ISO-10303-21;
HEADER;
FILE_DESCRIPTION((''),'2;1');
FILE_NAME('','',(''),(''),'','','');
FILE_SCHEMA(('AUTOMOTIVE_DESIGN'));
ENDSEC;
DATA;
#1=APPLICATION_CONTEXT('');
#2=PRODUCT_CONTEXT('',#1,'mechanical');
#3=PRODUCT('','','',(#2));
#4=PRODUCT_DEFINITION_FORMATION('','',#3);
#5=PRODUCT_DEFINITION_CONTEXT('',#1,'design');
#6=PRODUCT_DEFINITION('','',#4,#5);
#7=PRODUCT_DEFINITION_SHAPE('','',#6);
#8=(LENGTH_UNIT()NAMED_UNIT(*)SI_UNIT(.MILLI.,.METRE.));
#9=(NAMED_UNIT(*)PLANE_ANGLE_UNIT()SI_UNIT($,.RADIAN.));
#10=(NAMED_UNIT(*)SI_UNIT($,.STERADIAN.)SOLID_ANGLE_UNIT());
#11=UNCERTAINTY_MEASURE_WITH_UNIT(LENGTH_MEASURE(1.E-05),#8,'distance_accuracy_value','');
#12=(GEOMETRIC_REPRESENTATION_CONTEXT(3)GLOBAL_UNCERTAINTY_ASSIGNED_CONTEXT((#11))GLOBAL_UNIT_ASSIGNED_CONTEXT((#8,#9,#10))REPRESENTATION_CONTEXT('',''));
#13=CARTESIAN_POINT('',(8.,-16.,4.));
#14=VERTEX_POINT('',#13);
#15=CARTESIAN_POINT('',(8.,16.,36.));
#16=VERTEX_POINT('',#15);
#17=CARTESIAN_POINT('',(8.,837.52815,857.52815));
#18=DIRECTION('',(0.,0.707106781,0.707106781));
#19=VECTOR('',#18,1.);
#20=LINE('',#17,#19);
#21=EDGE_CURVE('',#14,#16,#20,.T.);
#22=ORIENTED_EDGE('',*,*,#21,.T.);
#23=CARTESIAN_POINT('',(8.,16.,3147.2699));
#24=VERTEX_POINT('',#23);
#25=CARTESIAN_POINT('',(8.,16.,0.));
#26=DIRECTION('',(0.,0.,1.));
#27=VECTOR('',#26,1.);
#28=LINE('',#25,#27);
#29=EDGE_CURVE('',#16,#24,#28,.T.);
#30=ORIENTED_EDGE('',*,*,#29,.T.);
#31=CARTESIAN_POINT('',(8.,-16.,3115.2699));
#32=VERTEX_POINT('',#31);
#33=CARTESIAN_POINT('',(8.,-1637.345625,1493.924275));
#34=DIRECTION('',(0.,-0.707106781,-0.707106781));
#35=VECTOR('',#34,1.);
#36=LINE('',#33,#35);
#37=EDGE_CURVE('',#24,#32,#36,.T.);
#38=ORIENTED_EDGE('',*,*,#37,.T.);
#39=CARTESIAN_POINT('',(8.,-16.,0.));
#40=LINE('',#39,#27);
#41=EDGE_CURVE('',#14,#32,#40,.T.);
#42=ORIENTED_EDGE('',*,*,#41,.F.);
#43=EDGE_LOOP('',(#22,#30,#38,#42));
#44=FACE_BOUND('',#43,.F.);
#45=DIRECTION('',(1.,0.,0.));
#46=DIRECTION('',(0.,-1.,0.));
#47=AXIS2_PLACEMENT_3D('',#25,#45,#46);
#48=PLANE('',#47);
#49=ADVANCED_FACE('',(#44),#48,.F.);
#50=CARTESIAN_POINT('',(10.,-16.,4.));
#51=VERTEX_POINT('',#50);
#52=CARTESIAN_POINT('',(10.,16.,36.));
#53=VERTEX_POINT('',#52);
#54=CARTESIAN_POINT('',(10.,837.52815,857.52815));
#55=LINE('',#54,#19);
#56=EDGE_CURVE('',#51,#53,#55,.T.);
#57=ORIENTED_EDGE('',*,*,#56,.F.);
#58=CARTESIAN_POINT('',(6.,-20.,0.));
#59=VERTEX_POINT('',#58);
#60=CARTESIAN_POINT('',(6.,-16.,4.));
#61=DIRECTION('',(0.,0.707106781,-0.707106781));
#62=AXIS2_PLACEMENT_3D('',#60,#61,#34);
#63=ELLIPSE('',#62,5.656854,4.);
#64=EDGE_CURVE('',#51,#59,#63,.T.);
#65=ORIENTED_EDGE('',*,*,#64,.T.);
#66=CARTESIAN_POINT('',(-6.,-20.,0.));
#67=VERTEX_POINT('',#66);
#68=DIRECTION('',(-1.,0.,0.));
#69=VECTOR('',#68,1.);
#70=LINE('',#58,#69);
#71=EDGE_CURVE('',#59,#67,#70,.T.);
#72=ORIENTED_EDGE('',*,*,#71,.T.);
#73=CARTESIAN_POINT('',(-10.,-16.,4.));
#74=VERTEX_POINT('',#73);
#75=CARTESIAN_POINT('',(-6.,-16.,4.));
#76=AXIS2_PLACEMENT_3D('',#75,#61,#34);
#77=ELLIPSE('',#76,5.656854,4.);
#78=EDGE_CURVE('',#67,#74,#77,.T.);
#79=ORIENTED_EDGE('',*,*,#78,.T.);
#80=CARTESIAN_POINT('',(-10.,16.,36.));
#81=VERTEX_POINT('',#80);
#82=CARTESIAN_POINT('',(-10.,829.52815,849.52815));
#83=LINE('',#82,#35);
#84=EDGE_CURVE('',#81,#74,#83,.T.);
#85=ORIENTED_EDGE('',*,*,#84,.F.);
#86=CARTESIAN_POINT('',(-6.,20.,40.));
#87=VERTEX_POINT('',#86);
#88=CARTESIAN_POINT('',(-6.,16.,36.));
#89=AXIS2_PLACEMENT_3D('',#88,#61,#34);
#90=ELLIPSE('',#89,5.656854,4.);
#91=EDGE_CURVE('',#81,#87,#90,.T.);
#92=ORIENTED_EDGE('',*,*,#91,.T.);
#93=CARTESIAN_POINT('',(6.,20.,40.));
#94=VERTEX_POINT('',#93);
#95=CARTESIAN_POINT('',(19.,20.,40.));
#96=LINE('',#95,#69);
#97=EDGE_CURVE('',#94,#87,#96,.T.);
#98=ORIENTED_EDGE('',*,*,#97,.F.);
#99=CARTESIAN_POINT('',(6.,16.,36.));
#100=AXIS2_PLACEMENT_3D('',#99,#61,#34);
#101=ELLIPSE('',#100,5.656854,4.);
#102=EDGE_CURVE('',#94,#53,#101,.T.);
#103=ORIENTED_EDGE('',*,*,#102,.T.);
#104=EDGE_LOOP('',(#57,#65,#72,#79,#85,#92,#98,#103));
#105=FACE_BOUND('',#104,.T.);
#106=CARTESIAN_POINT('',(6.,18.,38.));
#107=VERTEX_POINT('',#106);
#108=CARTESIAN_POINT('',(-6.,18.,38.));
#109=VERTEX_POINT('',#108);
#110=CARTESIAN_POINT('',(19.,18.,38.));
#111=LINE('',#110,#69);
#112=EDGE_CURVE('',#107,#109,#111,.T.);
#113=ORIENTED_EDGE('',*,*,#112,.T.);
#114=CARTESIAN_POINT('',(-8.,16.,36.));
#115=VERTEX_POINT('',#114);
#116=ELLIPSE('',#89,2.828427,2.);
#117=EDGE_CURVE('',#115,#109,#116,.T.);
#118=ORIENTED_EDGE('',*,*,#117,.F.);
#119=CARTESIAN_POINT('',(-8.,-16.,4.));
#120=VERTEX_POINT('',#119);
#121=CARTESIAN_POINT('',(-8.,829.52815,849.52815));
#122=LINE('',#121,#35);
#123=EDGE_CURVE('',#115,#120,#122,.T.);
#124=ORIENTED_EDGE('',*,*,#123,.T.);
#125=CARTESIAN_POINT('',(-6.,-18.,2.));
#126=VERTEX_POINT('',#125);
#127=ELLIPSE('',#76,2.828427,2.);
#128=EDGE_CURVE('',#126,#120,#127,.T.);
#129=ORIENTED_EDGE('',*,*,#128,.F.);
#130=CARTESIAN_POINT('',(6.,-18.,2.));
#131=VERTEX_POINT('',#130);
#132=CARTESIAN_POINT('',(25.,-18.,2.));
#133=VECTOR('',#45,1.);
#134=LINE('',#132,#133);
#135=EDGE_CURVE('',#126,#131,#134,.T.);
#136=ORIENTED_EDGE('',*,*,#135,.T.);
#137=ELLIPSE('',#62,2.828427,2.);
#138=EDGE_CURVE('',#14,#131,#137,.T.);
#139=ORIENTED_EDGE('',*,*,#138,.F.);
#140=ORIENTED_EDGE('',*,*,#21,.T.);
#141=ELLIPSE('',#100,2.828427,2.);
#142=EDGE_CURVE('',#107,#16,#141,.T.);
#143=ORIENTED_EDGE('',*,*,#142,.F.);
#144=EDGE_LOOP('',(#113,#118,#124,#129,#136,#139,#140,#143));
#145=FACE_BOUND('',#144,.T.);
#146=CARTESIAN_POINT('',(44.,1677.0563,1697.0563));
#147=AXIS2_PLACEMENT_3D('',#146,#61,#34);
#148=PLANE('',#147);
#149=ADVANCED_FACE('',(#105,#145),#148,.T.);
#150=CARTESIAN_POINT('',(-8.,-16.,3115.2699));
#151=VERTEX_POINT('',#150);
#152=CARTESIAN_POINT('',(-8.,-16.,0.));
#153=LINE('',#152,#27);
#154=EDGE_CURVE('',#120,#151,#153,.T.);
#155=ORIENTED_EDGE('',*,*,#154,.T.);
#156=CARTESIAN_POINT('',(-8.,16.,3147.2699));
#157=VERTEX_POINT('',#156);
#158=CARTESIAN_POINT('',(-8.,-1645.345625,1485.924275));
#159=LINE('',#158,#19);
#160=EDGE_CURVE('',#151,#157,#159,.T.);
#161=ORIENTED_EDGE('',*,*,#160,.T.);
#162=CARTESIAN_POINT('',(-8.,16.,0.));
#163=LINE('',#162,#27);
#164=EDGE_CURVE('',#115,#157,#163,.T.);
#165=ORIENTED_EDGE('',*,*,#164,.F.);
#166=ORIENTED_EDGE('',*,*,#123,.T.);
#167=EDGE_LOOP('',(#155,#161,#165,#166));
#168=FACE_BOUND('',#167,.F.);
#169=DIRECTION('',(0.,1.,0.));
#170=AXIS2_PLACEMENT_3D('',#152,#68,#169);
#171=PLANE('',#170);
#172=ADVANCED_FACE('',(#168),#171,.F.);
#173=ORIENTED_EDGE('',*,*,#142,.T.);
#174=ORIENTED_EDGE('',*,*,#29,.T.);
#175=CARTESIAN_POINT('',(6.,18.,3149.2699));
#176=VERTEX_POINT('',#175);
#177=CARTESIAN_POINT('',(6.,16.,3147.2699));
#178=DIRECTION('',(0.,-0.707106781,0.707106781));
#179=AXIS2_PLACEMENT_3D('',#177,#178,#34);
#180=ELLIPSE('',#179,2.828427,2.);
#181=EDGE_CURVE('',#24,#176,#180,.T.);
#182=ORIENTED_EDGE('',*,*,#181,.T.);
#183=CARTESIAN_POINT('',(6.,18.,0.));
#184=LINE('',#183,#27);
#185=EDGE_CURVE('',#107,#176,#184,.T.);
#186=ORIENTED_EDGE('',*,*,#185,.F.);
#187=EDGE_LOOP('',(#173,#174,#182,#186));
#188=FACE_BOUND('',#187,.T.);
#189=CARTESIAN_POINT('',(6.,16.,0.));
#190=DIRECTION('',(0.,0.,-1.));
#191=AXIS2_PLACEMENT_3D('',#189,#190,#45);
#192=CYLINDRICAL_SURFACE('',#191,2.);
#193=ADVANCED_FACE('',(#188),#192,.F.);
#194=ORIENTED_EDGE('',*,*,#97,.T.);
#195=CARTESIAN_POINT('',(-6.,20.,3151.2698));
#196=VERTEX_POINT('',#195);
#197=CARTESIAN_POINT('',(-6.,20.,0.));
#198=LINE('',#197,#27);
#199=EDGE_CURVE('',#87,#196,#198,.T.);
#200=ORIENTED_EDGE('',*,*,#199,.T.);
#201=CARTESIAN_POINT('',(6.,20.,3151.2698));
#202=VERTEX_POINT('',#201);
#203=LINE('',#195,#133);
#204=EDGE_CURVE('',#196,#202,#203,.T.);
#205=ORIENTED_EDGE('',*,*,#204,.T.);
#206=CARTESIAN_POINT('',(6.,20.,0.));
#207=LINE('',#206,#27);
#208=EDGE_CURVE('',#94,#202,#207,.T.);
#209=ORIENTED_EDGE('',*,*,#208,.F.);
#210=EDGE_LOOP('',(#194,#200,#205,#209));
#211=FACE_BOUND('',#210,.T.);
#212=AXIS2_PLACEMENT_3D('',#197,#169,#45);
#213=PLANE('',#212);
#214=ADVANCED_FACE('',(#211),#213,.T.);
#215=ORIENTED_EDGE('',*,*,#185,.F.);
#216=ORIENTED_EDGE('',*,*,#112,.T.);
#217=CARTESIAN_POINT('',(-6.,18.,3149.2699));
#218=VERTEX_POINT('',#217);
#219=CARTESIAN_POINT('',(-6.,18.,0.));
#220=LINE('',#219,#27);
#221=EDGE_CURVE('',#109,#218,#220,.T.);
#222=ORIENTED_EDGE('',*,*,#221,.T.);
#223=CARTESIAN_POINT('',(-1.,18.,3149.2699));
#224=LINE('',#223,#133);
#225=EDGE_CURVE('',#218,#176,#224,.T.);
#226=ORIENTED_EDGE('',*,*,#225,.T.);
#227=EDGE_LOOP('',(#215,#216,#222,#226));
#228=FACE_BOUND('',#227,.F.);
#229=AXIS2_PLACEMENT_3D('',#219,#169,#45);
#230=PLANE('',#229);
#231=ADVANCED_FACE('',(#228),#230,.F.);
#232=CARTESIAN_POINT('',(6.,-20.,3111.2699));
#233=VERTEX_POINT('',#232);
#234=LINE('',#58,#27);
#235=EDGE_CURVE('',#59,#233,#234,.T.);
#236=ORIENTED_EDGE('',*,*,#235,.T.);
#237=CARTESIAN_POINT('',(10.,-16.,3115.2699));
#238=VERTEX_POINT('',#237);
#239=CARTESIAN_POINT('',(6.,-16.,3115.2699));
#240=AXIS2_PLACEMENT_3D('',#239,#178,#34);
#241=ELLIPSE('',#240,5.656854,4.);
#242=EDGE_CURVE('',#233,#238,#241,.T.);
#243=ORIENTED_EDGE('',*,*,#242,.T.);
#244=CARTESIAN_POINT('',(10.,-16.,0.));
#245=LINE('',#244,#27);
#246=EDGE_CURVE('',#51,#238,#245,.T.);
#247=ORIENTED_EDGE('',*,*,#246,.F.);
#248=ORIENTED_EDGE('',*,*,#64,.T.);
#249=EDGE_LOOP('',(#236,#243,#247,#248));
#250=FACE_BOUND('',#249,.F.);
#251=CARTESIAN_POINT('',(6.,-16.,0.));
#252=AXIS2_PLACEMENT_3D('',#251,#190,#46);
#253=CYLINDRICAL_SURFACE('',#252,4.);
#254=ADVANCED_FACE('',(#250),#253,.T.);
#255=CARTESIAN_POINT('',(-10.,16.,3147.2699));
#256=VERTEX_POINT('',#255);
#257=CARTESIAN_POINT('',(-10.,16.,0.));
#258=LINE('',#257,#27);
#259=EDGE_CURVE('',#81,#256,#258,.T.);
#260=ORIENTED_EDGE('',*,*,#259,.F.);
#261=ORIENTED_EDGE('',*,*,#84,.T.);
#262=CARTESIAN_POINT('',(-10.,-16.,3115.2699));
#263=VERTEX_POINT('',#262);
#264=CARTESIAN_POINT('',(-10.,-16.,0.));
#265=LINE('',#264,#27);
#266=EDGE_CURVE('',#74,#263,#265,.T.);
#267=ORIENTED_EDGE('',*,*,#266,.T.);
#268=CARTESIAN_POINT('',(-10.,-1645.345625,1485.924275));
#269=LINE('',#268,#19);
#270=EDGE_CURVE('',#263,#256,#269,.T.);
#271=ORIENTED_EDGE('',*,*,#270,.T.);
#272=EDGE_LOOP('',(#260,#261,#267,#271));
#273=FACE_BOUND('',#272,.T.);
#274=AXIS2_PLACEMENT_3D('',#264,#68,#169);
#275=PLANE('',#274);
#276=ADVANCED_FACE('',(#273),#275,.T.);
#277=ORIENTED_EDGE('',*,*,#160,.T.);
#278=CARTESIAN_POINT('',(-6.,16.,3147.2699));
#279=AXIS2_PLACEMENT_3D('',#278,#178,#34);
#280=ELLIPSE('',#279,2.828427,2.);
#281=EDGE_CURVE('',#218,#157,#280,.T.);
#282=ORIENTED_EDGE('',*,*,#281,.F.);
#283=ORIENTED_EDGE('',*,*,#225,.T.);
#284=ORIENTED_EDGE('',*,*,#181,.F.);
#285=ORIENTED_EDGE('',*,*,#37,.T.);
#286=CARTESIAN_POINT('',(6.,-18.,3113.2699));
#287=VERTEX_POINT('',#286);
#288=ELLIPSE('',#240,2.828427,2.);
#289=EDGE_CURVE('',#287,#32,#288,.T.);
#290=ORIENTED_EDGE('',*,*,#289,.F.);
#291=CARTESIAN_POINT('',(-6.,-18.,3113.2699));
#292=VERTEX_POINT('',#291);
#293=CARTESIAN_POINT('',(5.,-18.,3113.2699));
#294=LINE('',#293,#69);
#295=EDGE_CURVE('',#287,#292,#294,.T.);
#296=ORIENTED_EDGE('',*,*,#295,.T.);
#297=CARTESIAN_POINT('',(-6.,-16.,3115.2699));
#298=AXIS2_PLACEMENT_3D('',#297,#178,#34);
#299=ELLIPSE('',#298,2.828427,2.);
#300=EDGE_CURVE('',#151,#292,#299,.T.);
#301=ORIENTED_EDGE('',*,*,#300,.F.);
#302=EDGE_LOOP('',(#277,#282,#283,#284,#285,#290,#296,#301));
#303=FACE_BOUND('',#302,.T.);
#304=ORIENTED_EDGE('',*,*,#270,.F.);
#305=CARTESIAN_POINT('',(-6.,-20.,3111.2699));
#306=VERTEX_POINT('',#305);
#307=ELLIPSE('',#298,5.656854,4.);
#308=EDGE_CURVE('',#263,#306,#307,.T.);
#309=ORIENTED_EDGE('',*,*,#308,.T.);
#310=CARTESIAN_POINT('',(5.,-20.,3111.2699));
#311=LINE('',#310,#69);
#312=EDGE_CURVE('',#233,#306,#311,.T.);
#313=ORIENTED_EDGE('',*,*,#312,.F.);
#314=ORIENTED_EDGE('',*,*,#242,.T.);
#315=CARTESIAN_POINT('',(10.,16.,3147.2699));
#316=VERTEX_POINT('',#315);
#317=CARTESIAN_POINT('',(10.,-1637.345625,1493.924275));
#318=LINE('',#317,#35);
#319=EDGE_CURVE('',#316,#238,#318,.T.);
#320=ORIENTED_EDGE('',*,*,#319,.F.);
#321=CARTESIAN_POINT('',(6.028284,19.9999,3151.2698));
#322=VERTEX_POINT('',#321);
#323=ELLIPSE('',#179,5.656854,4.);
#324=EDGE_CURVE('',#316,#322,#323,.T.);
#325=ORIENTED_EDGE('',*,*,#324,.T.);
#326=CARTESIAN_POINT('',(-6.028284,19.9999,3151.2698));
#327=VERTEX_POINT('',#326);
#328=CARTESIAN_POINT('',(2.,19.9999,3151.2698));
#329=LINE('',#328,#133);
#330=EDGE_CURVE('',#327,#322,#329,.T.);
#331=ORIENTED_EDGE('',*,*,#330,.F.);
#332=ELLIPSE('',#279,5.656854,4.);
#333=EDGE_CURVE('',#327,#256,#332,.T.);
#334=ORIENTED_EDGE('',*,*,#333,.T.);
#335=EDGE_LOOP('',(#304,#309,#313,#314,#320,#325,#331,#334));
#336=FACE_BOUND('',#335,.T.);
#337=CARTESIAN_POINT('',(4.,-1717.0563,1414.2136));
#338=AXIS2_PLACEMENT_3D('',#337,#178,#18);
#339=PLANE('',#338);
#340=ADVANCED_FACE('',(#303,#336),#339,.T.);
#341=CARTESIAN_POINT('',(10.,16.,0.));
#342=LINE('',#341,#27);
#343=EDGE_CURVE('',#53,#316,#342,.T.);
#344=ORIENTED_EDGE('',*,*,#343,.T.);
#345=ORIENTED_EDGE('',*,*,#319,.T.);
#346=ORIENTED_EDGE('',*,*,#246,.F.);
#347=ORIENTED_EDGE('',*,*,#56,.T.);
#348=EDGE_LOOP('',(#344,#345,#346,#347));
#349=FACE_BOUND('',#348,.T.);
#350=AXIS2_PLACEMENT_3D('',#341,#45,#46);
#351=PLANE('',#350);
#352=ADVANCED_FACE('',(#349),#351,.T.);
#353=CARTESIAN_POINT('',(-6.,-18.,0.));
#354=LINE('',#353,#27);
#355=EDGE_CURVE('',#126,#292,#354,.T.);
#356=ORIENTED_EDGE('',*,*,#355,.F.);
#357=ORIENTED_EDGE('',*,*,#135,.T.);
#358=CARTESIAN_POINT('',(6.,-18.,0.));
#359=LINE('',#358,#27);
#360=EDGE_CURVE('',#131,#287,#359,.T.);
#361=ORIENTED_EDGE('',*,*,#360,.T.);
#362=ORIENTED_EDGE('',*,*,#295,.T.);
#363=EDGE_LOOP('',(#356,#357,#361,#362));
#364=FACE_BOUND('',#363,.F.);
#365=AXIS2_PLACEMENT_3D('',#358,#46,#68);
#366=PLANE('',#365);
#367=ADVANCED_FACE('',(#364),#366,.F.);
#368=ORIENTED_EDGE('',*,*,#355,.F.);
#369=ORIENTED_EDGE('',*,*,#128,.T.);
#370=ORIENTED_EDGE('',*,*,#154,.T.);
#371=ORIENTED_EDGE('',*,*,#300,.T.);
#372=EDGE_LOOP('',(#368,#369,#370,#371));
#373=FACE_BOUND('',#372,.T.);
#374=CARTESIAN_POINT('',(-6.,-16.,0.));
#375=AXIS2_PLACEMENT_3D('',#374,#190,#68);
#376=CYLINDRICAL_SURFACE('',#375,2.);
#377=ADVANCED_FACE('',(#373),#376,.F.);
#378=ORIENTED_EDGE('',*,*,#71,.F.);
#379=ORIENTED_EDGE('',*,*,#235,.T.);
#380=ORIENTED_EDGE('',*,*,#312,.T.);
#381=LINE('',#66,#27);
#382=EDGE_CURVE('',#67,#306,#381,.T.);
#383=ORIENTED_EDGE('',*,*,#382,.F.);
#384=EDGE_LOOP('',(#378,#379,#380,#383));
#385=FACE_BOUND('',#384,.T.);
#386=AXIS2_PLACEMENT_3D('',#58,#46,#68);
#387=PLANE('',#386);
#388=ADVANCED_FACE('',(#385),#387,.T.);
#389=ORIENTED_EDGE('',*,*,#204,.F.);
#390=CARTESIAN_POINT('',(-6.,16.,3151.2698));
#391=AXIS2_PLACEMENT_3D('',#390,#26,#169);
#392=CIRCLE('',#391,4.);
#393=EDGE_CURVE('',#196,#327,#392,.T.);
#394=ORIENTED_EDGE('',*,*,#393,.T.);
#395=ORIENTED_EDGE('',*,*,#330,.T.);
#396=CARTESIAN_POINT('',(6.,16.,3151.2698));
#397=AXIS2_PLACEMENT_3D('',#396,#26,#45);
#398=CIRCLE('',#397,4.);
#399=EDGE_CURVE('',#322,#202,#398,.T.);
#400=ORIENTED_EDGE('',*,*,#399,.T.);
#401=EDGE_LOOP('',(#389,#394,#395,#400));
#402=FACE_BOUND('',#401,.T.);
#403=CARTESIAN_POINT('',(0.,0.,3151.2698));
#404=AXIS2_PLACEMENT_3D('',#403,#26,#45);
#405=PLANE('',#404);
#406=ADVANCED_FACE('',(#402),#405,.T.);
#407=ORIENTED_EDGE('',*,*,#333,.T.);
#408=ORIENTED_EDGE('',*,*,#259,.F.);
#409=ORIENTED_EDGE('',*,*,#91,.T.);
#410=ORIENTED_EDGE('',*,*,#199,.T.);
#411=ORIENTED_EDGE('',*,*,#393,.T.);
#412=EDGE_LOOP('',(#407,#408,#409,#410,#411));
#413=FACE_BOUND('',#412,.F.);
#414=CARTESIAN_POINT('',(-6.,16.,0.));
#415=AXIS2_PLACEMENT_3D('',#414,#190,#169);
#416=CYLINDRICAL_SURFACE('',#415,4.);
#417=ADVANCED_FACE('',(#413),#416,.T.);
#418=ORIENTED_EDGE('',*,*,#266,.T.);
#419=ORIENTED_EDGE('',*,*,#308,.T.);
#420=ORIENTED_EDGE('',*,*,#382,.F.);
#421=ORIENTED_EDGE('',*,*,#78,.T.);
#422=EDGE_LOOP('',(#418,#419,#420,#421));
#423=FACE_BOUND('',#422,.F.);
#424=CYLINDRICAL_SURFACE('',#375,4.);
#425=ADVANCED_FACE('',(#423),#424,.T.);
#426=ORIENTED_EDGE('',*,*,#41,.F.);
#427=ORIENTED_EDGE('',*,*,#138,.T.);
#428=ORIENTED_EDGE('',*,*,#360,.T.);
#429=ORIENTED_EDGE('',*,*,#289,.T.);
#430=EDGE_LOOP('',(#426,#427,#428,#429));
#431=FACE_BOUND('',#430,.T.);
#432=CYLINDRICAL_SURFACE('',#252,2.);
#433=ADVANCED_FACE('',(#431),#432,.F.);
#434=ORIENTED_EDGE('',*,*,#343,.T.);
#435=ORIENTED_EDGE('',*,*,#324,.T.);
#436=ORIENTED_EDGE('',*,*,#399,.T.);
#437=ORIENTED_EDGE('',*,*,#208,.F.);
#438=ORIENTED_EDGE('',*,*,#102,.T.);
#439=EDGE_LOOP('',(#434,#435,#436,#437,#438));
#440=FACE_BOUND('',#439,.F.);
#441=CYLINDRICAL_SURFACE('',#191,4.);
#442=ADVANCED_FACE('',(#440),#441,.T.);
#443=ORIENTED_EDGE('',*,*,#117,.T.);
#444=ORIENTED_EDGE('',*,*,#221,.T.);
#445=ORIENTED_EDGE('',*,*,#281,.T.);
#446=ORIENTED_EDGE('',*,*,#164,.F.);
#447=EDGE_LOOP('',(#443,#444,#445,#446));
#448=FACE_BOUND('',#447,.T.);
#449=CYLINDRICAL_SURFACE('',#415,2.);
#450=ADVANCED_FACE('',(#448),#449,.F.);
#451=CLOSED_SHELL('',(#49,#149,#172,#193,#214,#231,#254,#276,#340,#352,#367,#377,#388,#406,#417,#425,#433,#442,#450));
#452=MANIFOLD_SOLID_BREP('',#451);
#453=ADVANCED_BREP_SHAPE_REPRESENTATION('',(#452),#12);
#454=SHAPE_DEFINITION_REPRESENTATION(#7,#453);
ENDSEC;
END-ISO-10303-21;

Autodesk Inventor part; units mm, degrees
ref_plane "Start Plane" through (0, 0, 0) normal (0, 0, 1) x (1, 0, 0)
ref_plane "End Plane" through (0, 0, 3151.2698) normal (0, 0, 1) x (1, 0, 0)
sketch "Sketch" plane through (0, 0, 0) normal (0, 0, 1) x (1, 0, 0)
  line L0 (-10, -16) -> (-10, 16)
  line L1 (-6, 20) -> (6, 20)
  line L2 (10, 16) -> (10, -16)
  line L3 (6, -20) -> (-6, -20)
  arc A0 (-10, -16) -> (-6, -20) centre (-6, -16) ccw
  arc A1 (10, 16) -> (6, 20) centre (6, 16) ccw
  arc A2 (-6, 20) -> (-10, 16) centre (-6, 16) ccw
  arc A3 (6, -20) -> (10, -16) centre (6, -16) ccw
  arc A4 (-6, 18) -> (-8, 16) centre (-6, 16) ccw
  line L4 (-6, 18) -> (6, 18)
  arc A5 (8, 16) -> (6, 18) centre (6, 16) ccw
  line L5 (8, 16) -> (8, -16)
  arc A6 (6, -18) -> (8, -16) centre (6, -16) ccw
  line L6 (6, -18) -> (-6, -18)
  arc A7 (-8, -16) -> (-6, -18) centre (-6, -16) ccw
  line L7 (-8, -16) -> (-8, 16)
  line L8 (0, 29.1598) -> (0, -29.1598) construction
  line L9 (-15.1598, 0) -> (15.1598, 0) construction
  dimension "d7" = 4
  dimension "d9" = 20
  dimension "d11" = 40
  dimension "d12" = 2
  dimension "d15" = 10
  dimension "d16" = 20
extrude "Body" add sketch "Sketch" along normal up to surface (3151.2698 mm away) from surface at 0
sketch "Sketch3" plane through (0, 0, 0) normal (0, 0, 1) x (1, 0, 0)
  line L0 (0, 0) -> (10, 0)
ref_plane "Work Plane3" through (0, 0, 0) normal (0, -1, 0) x (1, 0, 0)
ref_plane "Work Plane4" through (4, -1717.0563, 1414.2136) normal (0, -0.7071, 0.7071) x (1, 0, 0)
split "Split1" plane through (4, -1717.0563, 1414.2136) removes the side toward (0, -0.7071, 0.7071)
ref_plane "Work Plane5" through (44, 1677.0563, 1697.0563) normal (0, 0.7071, -0.7071) x (1, 0, 0)
split "Split2" plane through (44, 1677.0563, 1697.0563) removes the side toward (0, 0.7071, -0.7071)
sketch "Sketch4" plane through (0, 0, 0) normal (0, -1, 0) x (1, 0, 0)
  line L0 (-2, 0) -> (12, 0) projected
  line L1 (-2, 3151.2698) -> (12, 3151.2698) projected
  dimension "d18" = 3151.2698
equation "\"d7\" = G_IR"
equation "\"d9\" = G_W"
equation "\"d11\" = G_H"
equation "\"d12\" = G_T"
equation "\"d15\" = 0.5 * d9"
equation "\"d16\" = 0.5 * d11"
equation "\"d3\" = G_L"
equation "\"G_W\" = 20"
equation "\"G_H\" = 40"
equation "\"G_T\" = 2"
equation "\"G_IR\" = 4"
equation "\"G_L\" = d18"
equation "\"G_OFFSET_START\" = 0"
equation "\"d14\" = G_OFFSET_END + B_L"
equation "\"B_L\" = 3111.26984"
equation "\"G_OFFSET_END\" = 40"
properties part number "ISO 10799-2 - 40x20x2 - 3151,27" material "Steel, Mild"
